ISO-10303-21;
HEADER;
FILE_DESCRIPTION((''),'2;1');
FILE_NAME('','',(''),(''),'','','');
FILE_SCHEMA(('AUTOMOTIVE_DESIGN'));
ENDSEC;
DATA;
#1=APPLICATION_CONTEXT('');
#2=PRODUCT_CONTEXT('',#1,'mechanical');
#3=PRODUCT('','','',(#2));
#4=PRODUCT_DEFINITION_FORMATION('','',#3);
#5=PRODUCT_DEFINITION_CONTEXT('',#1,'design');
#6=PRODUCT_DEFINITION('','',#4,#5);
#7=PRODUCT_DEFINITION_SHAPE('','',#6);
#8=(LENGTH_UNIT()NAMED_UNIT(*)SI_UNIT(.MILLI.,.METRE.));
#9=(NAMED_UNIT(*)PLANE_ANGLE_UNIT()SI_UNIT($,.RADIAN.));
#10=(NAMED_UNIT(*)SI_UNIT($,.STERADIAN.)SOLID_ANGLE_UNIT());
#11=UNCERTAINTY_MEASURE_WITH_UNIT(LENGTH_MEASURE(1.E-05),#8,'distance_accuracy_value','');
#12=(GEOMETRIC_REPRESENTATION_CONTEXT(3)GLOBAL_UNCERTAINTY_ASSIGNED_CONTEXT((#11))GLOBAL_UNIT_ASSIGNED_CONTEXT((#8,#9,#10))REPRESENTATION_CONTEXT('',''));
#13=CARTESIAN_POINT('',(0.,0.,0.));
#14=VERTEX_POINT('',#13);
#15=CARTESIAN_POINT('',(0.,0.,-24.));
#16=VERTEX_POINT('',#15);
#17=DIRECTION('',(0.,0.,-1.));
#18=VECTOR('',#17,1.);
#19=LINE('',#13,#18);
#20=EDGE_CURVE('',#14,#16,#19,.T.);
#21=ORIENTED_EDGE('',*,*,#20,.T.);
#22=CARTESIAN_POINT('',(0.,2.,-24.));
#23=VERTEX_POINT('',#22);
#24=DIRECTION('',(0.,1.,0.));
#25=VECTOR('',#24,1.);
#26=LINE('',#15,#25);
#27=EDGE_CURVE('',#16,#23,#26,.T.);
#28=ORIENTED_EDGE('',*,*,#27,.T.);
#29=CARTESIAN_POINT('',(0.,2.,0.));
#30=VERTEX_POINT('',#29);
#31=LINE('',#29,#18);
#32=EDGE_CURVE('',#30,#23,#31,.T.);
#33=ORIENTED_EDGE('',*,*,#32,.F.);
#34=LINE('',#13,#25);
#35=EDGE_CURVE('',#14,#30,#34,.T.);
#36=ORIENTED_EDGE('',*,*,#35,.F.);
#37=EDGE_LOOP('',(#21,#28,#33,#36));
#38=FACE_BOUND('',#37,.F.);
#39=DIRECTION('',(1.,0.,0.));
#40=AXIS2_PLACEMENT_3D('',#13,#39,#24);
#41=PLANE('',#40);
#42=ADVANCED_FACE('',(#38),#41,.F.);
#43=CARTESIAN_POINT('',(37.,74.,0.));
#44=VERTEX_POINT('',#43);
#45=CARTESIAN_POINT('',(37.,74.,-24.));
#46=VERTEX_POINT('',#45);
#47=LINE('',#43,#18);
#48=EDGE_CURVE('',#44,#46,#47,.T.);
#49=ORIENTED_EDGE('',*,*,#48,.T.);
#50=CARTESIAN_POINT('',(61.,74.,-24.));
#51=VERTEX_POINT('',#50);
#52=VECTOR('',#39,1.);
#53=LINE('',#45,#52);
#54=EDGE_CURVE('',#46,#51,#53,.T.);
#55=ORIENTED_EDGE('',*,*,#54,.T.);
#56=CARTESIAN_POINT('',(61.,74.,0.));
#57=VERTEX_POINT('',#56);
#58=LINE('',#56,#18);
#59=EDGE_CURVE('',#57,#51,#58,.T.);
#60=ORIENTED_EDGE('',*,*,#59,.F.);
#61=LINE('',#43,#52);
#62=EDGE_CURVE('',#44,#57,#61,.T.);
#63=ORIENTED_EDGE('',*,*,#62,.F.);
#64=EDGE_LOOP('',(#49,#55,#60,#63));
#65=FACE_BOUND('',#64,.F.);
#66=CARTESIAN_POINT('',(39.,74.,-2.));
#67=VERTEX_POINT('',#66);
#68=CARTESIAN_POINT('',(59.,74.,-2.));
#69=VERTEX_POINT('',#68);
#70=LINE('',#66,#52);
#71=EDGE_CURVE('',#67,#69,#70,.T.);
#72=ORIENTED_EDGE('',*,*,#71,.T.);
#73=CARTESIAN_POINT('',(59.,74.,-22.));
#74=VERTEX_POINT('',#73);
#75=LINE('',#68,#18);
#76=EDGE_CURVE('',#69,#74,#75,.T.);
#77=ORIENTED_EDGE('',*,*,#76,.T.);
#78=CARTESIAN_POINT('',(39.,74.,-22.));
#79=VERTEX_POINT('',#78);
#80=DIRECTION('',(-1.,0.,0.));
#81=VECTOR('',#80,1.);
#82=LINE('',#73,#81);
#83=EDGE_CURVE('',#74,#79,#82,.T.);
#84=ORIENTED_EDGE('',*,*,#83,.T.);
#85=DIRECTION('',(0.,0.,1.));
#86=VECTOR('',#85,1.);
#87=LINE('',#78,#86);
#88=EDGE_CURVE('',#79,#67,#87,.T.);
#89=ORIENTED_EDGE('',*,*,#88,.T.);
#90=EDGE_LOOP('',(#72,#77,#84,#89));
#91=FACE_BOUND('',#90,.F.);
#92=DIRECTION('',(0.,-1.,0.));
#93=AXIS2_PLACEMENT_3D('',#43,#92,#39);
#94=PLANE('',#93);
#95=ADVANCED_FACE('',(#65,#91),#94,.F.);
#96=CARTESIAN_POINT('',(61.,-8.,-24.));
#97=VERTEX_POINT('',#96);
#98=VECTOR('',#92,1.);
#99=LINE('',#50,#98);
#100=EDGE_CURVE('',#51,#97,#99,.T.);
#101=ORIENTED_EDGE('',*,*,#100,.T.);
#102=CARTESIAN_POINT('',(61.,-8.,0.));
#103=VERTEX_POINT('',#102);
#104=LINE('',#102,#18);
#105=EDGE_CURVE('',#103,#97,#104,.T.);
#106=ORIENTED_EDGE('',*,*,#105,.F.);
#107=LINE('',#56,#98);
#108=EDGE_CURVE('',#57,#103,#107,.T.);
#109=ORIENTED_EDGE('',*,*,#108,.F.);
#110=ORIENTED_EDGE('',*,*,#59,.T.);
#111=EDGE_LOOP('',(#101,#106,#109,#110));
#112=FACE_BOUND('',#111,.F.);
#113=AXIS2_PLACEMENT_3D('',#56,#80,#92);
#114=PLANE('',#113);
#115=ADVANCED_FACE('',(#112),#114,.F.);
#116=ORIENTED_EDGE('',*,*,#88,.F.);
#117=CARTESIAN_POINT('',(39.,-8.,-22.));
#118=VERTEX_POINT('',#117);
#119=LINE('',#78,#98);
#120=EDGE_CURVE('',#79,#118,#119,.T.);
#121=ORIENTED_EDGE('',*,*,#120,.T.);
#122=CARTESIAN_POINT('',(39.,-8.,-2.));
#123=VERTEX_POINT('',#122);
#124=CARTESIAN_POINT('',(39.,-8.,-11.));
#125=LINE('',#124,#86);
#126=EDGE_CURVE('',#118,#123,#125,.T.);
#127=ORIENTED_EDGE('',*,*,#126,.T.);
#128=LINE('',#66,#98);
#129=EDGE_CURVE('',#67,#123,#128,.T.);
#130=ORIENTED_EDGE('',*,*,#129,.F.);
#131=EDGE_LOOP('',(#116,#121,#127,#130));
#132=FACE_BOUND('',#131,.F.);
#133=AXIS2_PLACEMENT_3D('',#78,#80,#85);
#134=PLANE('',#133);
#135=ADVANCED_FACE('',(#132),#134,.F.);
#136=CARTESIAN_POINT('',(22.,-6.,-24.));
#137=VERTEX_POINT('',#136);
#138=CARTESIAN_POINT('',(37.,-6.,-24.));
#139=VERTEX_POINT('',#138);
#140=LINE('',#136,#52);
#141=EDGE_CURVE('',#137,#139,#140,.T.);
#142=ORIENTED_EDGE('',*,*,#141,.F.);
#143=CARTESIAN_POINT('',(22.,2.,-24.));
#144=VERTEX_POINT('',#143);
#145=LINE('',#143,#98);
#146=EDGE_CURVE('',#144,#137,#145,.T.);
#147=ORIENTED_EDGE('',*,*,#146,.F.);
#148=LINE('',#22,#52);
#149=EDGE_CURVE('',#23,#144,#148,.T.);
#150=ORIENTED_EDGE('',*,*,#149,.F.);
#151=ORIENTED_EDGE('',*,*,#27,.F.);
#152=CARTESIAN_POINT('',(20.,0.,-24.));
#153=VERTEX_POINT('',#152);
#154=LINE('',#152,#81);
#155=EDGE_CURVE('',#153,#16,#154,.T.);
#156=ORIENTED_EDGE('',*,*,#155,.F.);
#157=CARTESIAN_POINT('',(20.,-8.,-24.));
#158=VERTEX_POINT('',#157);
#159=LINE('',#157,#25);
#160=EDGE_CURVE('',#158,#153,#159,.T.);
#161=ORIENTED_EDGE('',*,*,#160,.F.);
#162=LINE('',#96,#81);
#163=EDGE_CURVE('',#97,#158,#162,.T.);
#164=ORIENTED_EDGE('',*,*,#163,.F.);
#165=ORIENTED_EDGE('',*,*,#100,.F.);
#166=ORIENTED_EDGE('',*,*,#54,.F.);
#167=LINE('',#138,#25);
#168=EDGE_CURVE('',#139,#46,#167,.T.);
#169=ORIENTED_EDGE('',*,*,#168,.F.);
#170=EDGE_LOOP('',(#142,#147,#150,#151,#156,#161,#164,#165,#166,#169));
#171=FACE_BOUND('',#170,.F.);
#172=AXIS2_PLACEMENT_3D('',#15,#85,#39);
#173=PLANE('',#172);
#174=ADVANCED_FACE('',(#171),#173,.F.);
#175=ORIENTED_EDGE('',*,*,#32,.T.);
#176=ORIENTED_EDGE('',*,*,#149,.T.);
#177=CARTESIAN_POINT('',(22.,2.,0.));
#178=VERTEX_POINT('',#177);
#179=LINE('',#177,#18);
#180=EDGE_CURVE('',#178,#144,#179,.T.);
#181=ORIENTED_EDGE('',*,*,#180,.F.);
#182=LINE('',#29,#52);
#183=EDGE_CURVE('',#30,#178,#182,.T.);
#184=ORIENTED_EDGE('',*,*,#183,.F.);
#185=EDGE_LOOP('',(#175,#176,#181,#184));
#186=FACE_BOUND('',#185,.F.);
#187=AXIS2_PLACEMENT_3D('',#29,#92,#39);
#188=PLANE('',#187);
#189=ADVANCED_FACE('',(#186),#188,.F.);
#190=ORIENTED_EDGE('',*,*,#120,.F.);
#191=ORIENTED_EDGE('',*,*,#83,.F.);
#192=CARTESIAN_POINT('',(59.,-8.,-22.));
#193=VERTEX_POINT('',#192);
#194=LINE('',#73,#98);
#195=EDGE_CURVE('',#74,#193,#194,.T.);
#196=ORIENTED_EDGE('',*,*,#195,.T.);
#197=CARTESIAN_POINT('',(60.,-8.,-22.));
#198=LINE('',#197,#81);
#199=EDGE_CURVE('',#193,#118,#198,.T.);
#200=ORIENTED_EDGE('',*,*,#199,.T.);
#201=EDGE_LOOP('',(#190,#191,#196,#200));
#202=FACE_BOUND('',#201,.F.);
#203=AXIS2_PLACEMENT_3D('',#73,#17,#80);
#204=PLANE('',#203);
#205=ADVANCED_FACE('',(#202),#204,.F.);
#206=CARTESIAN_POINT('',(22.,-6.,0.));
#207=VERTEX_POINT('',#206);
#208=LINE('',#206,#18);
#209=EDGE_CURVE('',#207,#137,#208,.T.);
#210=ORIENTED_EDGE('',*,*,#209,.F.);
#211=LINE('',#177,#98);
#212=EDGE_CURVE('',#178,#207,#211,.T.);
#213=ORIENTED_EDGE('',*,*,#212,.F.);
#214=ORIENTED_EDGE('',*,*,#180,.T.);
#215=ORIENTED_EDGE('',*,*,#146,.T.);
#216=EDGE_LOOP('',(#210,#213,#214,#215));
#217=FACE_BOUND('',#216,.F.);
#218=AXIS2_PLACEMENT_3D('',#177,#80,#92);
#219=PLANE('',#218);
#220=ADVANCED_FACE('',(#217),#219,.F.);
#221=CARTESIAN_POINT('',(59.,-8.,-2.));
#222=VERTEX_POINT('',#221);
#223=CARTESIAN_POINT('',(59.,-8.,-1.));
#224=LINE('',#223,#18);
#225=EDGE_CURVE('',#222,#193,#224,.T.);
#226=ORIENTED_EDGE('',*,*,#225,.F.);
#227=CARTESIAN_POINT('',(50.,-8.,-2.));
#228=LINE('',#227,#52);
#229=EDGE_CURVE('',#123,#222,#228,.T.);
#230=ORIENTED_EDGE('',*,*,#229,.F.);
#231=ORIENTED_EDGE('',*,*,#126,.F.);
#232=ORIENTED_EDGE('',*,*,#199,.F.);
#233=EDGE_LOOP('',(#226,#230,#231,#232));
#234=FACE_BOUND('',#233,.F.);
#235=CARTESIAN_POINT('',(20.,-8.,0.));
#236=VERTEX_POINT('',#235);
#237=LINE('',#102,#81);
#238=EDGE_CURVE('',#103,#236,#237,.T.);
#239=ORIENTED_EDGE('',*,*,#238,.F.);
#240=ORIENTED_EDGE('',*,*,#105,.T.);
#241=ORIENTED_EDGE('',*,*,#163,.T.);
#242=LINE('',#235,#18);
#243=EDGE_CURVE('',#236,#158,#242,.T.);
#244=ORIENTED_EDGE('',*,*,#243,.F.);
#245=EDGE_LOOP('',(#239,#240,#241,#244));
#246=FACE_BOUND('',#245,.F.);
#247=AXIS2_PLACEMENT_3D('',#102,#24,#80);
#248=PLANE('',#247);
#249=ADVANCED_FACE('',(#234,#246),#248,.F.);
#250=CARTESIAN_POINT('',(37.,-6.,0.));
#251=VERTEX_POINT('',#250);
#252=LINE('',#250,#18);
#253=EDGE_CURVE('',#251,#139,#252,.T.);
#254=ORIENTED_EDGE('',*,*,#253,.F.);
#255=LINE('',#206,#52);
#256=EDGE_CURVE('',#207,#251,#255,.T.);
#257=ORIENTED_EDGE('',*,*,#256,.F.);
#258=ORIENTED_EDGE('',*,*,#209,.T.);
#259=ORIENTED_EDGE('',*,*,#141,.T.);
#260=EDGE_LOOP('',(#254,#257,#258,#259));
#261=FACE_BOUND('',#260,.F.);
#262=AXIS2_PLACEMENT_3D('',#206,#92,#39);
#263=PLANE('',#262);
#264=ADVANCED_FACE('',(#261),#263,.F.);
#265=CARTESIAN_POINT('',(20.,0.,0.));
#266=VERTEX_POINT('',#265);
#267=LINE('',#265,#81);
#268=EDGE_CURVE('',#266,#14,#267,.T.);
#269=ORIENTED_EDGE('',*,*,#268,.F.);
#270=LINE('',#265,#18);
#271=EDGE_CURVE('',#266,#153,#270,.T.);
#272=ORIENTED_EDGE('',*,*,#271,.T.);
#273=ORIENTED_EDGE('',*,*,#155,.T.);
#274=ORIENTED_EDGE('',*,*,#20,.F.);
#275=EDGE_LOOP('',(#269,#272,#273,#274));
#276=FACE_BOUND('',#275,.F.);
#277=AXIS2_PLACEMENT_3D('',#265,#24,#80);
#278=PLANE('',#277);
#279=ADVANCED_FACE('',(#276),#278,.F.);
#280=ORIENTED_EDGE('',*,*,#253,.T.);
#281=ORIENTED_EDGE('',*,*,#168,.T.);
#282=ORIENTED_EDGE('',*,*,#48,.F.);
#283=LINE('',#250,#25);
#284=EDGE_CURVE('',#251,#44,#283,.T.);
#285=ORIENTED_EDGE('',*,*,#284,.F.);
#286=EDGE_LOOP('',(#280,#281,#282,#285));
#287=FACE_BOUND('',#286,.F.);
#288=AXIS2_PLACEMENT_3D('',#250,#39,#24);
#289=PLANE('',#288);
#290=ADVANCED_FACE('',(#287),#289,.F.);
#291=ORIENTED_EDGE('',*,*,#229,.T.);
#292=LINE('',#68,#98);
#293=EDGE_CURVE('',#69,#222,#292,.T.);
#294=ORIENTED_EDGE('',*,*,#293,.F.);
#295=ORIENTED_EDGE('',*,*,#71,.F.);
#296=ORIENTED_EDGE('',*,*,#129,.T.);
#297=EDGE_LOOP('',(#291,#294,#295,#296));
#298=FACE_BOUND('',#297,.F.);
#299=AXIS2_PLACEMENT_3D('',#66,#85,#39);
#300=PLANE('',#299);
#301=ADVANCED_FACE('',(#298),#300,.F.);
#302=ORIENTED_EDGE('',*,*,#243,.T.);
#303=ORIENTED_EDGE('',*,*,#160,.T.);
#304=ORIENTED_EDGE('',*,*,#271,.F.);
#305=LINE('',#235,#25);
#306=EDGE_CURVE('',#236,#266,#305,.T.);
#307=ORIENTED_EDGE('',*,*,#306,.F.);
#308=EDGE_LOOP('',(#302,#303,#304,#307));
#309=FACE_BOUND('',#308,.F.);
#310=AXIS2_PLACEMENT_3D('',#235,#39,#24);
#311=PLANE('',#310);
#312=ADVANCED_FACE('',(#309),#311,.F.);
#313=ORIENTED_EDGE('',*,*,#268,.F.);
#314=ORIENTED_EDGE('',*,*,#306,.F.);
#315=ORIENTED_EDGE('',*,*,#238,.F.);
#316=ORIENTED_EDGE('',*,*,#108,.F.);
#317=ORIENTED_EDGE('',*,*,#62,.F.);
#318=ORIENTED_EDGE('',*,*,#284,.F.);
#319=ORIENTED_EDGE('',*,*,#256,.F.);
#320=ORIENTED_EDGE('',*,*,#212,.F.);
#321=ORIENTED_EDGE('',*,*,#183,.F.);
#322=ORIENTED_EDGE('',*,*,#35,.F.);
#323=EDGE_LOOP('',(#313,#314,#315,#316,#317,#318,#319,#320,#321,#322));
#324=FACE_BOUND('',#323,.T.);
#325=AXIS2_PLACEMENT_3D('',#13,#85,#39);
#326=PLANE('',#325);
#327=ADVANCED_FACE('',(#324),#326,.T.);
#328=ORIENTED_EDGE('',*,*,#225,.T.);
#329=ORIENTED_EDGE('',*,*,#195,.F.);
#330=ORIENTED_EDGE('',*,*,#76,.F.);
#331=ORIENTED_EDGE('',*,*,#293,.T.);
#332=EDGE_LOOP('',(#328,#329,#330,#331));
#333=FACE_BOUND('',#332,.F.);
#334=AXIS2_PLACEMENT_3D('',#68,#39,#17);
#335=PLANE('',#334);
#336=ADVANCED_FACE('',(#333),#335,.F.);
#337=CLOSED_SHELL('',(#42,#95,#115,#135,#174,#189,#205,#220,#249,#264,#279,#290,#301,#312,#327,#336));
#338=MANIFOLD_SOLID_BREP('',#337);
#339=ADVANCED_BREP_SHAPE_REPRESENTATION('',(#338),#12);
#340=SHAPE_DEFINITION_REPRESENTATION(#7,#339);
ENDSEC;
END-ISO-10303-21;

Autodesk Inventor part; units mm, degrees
ref_plane "YZ Plane" through (0, 0, 0) normal (1, 0, 0) x (0, 1, 0)
ref_plane "XZ Plane" through (0, 0, 0) normal (0, 1, 0) x (-1, 0, 0)
ref_plane "XY Plane" through (0, 0, 0) normal (0, 0, 1) x (1, 0, 0)
sketch "Skizze4" plane through (0, 0, 0) normal (0, 0, 1) x (1, 0, 0)
  line L0 (0, 0) -> (0, 2)
  line L1 (0, 2) -> (22, 2)
  line L2 (22, 2) -> (22, -6)
  line L3 (22, -6) -> (37, -6)
  line L4 (37, -6) -> (37, 74)
  line L5 (37, 74) -> (61, 74)
  line L6 (61, 74) -> (61, -8)
  line L7 (61, 74) -> (143, 74) construction
  line L8 (61, -8) -> (20, -8)
  line L9 (20, -8) -> (20, 0)
  line L10 (20, 0) -> (0, 0)
  dimension "d2" = 2
  dimension "d3" = 22
  dimension "d4" = 8
  dimension "d5" = 15
  dimension "d6" = 80
  dimension "d7" = 24
  dimension "d8" = 82
  dimension "d9" = 90
  dimension "d10" = 41
extrude "Extrusion3" add sketch "Skizze4" against normal blind 24
sketch "Skizze7" plane through (37, 74, 0) normal (0, 1, 0) x (1, 0, 0)
  line L0 (2, 2) -> (22, 2)
  line L1 (22, 2) -> (22, 22)
  line L2 (22, 22) -> (2, 22)
  line L3 (2, 22) -> (2, 2)
  line L4 (24, 0) -> (0, 0) projected
  line L5 (0, 0) -> (0, 24) projected
  point P0 (-37, 0)
  dimension "d19" = 20
  dimension "d20" = 20
  dimension "d23" = 2
  dimension "d24" = 2
extrude "Extrusion4" cut sketch "Skizze7" against normal blind 100
properties part number "flexibler_standfuß_v0.1"
